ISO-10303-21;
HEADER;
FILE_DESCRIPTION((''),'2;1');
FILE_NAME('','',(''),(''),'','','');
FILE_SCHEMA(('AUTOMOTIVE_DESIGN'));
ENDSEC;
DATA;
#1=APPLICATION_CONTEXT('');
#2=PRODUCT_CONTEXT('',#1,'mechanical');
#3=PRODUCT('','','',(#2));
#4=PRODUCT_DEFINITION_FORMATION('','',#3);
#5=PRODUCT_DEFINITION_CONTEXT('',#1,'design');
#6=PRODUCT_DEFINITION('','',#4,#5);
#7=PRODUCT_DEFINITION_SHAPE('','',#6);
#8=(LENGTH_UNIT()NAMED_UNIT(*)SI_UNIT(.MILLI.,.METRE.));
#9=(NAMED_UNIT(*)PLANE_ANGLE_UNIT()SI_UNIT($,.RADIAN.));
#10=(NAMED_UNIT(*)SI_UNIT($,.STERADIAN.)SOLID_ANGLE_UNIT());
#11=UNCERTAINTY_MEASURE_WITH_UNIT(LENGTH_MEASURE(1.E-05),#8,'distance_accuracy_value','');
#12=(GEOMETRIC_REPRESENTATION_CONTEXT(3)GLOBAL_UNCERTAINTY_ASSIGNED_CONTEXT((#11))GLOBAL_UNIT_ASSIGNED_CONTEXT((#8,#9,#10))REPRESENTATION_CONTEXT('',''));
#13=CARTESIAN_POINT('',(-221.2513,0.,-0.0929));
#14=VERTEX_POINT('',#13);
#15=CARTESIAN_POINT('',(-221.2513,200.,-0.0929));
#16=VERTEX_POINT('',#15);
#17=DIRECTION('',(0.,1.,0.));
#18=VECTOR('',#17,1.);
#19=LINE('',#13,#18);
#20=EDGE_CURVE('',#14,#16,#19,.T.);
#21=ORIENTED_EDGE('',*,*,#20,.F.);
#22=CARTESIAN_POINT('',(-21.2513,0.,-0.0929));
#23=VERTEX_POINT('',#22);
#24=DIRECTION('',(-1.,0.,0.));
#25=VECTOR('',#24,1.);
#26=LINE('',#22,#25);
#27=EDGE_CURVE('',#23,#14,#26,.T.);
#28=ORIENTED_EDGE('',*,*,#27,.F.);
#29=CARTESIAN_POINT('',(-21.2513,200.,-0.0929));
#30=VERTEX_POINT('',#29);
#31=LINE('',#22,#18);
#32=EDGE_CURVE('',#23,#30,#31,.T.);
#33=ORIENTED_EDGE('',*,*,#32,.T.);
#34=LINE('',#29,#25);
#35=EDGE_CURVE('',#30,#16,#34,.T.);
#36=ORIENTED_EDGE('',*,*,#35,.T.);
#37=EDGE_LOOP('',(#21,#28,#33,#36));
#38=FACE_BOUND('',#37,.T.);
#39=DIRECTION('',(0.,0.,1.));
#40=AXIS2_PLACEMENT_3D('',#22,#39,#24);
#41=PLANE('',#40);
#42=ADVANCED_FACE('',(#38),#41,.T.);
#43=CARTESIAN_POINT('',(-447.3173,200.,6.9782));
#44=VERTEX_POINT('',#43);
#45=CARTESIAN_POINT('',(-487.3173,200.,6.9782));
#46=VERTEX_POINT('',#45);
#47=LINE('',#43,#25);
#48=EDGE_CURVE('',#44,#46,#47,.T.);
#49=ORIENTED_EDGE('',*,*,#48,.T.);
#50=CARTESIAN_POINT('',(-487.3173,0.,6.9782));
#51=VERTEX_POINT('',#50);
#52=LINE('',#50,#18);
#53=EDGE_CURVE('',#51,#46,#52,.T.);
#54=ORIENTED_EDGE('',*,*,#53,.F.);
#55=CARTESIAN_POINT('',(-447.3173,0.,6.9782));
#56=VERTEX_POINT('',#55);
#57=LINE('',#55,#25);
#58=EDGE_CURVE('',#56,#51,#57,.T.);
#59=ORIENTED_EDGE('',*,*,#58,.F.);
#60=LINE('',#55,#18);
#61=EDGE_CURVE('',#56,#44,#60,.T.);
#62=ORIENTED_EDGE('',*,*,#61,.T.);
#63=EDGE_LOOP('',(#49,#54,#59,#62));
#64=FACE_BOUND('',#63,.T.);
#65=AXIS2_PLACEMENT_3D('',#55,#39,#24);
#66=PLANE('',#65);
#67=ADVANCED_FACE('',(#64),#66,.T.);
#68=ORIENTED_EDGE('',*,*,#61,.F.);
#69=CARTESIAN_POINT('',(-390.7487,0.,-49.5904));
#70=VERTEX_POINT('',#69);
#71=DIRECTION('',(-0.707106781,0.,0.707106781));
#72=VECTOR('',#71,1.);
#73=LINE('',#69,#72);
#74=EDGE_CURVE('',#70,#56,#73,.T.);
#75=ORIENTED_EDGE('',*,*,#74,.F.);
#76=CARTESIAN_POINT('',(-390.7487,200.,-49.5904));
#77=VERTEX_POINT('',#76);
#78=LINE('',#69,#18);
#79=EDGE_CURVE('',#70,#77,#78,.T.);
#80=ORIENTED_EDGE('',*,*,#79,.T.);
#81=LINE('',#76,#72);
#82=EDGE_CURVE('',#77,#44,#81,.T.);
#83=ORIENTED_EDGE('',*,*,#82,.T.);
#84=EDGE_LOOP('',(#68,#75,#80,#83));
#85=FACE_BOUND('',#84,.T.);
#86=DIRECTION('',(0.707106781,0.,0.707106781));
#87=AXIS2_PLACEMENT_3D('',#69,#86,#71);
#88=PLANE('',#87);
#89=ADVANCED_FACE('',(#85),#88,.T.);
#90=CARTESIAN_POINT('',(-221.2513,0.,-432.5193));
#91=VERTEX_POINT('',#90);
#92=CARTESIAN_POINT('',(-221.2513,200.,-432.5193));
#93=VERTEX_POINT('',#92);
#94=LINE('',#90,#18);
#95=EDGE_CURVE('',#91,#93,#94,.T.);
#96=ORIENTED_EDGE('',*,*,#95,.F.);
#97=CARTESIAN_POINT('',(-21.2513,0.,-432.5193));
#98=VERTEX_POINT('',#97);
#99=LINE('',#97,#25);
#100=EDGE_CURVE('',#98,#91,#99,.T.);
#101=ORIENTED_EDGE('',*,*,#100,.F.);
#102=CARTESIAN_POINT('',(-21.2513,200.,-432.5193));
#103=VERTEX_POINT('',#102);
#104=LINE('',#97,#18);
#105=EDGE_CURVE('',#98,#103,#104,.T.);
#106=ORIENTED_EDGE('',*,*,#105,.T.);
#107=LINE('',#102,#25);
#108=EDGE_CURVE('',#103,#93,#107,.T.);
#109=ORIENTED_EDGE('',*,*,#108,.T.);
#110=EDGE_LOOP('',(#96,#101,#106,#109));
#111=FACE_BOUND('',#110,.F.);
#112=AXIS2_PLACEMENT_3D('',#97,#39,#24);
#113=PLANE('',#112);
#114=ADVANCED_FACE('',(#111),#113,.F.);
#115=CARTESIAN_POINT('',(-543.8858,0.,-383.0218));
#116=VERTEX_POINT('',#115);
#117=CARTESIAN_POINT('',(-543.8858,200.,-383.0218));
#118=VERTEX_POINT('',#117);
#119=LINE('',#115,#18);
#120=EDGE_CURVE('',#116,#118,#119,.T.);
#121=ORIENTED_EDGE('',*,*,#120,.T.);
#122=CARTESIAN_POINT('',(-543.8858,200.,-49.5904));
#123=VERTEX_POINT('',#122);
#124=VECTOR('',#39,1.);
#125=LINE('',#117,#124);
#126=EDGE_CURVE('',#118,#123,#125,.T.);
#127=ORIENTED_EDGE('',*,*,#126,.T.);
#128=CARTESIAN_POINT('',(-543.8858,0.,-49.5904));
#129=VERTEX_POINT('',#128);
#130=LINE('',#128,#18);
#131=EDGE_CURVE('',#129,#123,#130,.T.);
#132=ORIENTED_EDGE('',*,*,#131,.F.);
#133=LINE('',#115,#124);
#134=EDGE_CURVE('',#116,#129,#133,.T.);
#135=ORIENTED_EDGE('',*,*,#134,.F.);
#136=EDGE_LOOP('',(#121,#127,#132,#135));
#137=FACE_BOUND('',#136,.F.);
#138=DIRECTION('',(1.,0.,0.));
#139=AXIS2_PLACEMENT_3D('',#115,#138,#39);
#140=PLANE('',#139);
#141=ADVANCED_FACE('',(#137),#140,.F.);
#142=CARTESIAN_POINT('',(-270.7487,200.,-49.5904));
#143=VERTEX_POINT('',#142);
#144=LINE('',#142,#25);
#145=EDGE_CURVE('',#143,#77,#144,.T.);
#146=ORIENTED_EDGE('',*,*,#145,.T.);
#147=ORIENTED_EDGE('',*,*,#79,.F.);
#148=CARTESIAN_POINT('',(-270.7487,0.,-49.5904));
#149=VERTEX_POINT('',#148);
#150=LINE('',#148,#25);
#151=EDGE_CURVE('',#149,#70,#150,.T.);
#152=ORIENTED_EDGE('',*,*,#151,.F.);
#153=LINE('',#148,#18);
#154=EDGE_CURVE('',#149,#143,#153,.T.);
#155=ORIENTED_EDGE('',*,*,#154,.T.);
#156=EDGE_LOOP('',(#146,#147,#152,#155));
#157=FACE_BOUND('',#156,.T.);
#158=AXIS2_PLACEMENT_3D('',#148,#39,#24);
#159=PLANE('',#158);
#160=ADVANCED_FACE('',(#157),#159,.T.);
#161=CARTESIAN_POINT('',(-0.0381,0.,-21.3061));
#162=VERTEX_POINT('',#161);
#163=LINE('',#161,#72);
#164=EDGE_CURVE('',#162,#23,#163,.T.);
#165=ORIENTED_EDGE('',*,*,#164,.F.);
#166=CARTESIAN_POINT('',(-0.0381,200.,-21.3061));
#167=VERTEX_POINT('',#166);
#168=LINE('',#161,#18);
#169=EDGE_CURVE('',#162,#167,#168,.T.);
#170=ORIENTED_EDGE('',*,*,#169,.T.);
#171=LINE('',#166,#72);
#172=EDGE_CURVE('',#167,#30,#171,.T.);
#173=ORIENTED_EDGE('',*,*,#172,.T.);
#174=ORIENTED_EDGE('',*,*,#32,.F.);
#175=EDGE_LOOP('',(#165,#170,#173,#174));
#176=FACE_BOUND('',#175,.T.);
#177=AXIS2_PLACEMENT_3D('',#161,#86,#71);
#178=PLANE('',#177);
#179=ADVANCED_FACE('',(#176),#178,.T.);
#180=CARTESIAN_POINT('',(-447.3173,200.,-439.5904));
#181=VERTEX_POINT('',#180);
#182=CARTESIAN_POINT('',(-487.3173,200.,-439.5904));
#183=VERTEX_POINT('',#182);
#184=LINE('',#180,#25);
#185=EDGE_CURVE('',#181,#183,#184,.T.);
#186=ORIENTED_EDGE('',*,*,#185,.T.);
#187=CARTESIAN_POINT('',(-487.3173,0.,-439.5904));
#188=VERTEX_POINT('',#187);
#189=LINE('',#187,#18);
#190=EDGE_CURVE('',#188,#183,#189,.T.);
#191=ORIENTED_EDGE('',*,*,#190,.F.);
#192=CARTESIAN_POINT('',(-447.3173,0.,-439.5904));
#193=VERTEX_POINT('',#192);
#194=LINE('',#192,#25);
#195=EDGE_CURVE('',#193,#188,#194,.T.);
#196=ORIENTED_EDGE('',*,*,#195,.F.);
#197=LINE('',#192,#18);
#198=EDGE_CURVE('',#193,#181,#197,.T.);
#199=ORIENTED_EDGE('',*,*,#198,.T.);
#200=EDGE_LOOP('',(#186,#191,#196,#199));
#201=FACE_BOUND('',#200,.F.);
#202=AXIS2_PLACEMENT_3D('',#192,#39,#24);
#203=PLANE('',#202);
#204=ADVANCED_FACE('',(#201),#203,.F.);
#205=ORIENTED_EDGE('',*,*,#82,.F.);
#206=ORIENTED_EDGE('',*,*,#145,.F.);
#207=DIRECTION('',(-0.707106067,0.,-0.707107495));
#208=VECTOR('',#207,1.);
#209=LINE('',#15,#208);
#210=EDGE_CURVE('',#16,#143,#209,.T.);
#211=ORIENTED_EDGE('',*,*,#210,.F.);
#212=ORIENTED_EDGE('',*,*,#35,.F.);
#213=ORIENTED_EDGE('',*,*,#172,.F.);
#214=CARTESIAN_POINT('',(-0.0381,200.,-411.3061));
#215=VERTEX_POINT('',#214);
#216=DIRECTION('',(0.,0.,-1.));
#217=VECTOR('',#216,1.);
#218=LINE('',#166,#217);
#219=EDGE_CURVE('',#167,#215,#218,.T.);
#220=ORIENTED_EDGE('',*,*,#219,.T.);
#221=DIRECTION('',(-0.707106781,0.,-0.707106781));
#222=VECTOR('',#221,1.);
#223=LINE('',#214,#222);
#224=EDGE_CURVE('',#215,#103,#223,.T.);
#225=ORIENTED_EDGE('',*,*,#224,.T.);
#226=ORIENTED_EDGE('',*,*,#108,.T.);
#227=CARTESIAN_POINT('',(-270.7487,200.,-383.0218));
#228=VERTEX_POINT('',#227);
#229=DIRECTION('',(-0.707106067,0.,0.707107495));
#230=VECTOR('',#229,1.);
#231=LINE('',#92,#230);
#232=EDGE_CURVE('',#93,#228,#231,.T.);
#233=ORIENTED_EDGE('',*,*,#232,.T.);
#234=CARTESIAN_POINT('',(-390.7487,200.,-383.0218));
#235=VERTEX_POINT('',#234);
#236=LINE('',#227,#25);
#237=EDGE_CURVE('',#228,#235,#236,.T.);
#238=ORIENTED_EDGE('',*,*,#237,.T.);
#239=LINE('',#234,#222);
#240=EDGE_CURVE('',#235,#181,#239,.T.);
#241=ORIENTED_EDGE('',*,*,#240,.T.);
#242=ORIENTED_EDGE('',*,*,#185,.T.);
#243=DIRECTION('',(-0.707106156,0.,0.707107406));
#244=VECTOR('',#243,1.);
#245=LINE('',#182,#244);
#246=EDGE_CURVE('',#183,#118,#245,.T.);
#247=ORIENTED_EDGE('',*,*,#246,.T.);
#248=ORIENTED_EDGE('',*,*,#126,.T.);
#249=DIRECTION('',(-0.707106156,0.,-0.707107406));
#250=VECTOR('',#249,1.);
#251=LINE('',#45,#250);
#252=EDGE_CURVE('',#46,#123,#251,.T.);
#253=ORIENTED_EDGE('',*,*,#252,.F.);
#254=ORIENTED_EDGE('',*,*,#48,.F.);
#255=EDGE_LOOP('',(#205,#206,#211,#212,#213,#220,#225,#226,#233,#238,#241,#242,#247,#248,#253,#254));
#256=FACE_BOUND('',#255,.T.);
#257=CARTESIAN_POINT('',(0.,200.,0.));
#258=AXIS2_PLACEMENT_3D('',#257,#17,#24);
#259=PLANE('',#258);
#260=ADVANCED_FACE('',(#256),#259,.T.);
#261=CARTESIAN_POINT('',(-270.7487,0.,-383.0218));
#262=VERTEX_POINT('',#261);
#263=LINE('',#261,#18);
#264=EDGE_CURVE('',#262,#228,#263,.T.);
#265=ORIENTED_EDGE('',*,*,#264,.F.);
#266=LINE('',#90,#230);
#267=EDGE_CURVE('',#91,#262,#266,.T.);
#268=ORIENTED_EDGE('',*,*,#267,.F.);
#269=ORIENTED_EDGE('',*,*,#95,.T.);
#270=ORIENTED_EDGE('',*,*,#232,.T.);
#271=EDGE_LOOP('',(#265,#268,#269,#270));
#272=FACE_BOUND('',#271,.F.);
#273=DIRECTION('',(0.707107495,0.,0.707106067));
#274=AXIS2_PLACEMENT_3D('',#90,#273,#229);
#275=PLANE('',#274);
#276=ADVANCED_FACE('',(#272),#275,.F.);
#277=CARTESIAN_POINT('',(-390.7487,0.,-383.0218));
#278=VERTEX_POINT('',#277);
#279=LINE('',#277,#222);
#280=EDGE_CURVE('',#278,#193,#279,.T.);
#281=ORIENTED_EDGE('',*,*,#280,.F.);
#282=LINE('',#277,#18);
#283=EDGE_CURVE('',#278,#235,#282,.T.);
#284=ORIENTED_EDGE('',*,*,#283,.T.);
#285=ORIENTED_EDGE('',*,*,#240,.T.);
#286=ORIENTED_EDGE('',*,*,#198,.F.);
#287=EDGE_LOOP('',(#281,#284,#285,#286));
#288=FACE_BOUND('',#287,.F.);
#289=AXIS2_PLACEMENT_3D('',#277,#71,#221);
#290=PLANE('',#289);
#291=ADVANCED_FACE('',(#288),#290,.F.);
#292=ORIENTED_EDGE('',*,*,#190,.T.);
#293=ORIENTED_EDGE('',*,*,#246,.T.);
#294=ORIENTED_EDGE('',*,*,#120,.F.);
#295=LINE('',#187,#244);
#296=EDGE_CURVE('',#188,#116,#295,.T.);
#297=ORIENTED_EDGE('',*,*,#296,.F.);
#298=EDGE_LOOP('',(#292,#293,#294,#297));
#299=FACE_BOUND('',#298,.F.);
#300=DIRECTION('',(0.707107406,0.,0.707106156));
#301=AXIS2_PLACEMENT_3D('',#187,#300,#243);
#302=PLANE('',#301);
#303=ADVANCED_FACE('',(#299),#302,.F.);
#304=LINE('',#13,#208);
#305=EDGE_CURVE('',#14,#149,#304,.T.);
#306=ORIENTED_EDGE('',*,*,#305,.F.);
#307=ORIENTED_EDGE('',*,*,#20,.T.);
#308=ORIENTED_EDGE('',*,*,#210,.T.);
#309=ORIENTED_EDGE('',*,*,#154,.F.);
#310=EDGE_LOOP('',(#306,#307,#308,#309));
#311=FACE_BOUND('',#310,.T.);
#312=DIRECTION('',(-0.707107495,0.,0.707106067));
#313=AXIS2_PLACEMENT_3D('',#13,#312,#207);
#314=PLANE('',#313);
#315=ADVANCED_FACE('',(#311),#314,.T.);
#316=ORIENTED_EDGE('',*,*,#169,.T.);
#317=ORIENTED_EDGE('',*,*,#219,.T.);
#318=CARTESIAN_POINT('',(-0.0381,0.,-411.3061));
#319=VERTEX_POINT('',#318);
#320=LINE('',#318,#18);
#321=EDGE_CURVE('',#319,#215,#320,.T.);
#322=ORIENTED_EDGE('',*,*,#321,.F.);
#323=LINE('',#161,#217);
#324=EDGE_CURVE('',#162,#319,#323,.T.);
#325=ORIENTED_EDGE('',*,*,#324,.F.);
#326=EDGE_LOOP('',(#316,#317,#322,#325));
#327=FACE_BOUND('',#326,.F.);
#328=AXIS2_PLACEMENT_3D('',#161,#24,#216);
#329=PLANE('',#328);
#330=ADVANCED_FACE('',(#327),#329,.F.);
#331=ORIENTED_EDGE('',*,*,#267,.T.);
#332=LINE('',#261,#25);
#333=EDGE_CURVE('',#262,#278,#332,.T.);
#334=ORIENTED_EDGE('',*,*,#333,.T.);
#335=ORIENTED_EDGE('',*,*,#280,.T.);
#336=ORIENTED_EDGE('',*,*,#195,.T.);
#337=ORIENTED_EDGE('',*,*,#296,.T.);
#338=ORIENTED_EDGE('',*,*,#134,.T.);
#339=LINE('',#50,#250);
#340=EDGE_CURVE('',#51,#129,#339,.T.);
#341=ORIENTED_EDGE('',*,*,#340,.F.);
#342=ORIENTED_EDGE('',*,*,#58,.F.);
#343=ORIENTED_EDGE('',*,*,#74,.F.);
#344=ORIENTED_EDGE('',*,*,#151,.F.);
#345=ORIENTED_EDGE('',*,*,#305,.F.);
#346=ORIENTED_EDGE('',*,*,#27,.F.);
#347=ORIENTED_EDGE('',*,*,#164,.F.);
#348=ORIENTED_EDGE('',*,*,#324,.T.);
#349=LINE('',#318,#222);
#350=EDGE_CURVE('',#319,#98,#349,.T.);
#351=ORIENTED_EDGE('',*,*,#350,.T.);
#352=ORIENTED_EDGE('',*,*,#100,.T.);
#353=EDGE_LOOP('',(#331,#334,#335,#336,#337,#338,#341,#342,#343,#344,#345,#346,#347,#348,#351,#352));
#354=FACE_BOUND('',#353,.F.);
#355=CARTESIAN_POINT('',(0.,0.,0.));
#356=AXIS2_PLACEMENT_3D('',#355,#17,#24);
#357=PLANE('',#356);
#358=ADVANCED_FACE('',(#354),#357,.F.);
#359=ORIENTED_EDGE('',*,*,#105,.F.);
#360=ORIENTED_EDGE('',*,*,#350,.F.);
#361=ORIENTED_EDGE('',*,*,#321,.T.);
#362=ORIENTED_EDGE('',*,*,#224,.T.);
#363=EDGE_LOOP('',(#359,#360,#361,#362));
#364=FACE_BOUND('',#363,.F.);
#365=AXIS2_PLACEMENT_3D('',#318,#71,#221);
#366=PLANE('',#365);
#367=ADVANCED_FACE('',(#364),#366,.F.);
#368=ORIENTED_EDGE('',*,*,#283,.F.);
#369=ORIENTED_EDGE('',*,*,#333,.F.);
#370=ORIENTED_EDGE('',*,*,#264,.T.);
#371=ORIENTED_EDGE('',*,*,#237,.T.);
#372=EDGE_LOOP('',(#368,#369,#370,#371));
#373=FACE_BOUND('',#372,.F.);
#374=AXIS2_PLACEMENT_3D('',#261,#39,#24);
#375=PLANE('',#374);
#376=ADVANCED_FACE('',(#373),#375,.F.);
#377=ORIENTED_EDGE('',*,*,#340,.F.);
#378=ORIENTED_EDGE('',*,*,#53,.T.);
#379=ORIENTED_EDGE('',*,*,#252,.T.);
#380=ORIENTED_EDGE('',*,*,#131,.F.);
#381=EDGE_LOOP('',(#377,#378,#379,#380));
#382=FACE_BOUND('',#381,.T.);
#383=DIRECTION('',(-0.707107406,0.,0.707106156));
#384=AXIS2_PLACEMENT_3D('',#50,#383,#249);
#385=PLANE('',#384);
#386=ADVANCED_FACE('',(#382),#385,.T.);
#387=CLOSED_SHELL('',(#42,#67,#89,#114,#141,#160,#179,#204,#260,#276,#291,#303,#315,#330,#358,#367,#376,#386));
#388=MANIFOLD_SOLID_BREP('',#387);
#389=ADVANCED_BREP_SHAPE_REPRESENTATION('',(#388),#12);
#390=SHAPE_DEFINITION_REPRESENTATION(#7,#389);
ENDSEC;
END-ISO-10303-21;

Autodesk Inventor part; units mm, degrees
ref_plane "YZ Plane" through (0, 0, 0) normal (1, 0, 0) x (0, 1, 0)
ref_plane "XZ Plane" through (0, 0, 0) normal (0, 1, 0) x (-1, 0, 0)
ref_plane "XY Plane" through (0, 0, 0) normal (0, 0, 1) x (1, 0, 0)
sketch "Sketch1" plane through (0, 0, 0) normal (0, 1, 0) x (-1, 0, 0)
  line L0 (0.0381, -21.3061) -> (0.0381, -411.3061)
  line L1 (0.0381, -411.3061) -> (21.2513, -432.5193)
  line L2 (0.0381, -411.3061) -> (30.0381, -411.3061) construction
  line L3 (21.2513, -432.5193) -> (221.2513, -432.5193)
  line L4 (221.2513, -432.5193) -> (270.7487, -383.0218)
  line L5 (270.7487, -383.0218) -> (390.7487, -383.0218)
  line L6 (390.7487, -383.0218) -> (447.3173, -439.5904)
  line L7 (447.3173, -439.5904) -> (487.3173, -439.5904)
  line L8 (487.3173, -439.5904) -> (543.8858, -383.0218)
  line L9 (-53.2718, -216.3061) -> (592.6367, -216.3061) construction
  line L10 (0.0381, -21.3061) -> (21.2513, -0.0929)
  line L11 (21.2513, -0.0929) -> (221.2513, -0.0929)
  line L12 (221.2513, -0.0929) -> (270.7487, -49.5904)
  line L13 (270.7487, -49.5904) -> (390.7487, -49.5904)
  line L14 (390.7487, -49.5904) -> (447.3173, 6.9782)
  line L15 (447.3173, 6.9782) -> (487.3173, 6.9782)
  line L16 (487.3173, 6.9782) -> (543.8858, -49.5904)
  line L17 (543.8858, -383.0218) -> (543.8858, -49.5904)
  point P0 (0, 0)
  dimension "d0" = 390
  dimension "d1" = 30
  dimension "d2" = 45
  dimension "d3" = 70
  dimension "d4" = 135
  dimension "d5" = 200
  dimension "d6" = 120
  dimension "d7" = 80
  dimension "d8" = 135
  dimension "d9" = 226.066
  dimension "d10" = 21.2132
  dimension "d11" = 40
  dimension "d12" = 80
  dimension "d15" = 543.8478
extrude "Extrusion1" add sketch "Sketch1" along normal blind 200
sketch "Sketch2" plane through (-221.2513, 0, -0.0929) normal (0, 0, 1) x (1, 0, 0)
  line L0 (200, 0) -> (200, 200) construction
  line L1 (200, 50) -> (-356.3945, 50) construction
  line L2 (0, 0) -> (200, 0) construction
  line L3 (91.2132, 236.2215) -> (91.2132, -57.6692) construction
  line L4 (221.2132, 0) -> (221.2132, 200) construction
  point P0 (221.2513, 0)
  dimension "d18" = 50
  dimension "d19" = 130
sketch "Sketch3" plane through (-221.2513, 0, -0.0929) normal (0, 0, 1) x (1, 0, 0)
  line L0 (91.2132, 236.2215) -> (91.2132, -57.6692) construction
  line L1 (200, 50) -> (-356.3945, 50) construction
  circle A0 centre (91.2132, 50) radius 25
  point P0 (221.2513, 0)
  dimension "d20" = 50
properties part number "Frame"
